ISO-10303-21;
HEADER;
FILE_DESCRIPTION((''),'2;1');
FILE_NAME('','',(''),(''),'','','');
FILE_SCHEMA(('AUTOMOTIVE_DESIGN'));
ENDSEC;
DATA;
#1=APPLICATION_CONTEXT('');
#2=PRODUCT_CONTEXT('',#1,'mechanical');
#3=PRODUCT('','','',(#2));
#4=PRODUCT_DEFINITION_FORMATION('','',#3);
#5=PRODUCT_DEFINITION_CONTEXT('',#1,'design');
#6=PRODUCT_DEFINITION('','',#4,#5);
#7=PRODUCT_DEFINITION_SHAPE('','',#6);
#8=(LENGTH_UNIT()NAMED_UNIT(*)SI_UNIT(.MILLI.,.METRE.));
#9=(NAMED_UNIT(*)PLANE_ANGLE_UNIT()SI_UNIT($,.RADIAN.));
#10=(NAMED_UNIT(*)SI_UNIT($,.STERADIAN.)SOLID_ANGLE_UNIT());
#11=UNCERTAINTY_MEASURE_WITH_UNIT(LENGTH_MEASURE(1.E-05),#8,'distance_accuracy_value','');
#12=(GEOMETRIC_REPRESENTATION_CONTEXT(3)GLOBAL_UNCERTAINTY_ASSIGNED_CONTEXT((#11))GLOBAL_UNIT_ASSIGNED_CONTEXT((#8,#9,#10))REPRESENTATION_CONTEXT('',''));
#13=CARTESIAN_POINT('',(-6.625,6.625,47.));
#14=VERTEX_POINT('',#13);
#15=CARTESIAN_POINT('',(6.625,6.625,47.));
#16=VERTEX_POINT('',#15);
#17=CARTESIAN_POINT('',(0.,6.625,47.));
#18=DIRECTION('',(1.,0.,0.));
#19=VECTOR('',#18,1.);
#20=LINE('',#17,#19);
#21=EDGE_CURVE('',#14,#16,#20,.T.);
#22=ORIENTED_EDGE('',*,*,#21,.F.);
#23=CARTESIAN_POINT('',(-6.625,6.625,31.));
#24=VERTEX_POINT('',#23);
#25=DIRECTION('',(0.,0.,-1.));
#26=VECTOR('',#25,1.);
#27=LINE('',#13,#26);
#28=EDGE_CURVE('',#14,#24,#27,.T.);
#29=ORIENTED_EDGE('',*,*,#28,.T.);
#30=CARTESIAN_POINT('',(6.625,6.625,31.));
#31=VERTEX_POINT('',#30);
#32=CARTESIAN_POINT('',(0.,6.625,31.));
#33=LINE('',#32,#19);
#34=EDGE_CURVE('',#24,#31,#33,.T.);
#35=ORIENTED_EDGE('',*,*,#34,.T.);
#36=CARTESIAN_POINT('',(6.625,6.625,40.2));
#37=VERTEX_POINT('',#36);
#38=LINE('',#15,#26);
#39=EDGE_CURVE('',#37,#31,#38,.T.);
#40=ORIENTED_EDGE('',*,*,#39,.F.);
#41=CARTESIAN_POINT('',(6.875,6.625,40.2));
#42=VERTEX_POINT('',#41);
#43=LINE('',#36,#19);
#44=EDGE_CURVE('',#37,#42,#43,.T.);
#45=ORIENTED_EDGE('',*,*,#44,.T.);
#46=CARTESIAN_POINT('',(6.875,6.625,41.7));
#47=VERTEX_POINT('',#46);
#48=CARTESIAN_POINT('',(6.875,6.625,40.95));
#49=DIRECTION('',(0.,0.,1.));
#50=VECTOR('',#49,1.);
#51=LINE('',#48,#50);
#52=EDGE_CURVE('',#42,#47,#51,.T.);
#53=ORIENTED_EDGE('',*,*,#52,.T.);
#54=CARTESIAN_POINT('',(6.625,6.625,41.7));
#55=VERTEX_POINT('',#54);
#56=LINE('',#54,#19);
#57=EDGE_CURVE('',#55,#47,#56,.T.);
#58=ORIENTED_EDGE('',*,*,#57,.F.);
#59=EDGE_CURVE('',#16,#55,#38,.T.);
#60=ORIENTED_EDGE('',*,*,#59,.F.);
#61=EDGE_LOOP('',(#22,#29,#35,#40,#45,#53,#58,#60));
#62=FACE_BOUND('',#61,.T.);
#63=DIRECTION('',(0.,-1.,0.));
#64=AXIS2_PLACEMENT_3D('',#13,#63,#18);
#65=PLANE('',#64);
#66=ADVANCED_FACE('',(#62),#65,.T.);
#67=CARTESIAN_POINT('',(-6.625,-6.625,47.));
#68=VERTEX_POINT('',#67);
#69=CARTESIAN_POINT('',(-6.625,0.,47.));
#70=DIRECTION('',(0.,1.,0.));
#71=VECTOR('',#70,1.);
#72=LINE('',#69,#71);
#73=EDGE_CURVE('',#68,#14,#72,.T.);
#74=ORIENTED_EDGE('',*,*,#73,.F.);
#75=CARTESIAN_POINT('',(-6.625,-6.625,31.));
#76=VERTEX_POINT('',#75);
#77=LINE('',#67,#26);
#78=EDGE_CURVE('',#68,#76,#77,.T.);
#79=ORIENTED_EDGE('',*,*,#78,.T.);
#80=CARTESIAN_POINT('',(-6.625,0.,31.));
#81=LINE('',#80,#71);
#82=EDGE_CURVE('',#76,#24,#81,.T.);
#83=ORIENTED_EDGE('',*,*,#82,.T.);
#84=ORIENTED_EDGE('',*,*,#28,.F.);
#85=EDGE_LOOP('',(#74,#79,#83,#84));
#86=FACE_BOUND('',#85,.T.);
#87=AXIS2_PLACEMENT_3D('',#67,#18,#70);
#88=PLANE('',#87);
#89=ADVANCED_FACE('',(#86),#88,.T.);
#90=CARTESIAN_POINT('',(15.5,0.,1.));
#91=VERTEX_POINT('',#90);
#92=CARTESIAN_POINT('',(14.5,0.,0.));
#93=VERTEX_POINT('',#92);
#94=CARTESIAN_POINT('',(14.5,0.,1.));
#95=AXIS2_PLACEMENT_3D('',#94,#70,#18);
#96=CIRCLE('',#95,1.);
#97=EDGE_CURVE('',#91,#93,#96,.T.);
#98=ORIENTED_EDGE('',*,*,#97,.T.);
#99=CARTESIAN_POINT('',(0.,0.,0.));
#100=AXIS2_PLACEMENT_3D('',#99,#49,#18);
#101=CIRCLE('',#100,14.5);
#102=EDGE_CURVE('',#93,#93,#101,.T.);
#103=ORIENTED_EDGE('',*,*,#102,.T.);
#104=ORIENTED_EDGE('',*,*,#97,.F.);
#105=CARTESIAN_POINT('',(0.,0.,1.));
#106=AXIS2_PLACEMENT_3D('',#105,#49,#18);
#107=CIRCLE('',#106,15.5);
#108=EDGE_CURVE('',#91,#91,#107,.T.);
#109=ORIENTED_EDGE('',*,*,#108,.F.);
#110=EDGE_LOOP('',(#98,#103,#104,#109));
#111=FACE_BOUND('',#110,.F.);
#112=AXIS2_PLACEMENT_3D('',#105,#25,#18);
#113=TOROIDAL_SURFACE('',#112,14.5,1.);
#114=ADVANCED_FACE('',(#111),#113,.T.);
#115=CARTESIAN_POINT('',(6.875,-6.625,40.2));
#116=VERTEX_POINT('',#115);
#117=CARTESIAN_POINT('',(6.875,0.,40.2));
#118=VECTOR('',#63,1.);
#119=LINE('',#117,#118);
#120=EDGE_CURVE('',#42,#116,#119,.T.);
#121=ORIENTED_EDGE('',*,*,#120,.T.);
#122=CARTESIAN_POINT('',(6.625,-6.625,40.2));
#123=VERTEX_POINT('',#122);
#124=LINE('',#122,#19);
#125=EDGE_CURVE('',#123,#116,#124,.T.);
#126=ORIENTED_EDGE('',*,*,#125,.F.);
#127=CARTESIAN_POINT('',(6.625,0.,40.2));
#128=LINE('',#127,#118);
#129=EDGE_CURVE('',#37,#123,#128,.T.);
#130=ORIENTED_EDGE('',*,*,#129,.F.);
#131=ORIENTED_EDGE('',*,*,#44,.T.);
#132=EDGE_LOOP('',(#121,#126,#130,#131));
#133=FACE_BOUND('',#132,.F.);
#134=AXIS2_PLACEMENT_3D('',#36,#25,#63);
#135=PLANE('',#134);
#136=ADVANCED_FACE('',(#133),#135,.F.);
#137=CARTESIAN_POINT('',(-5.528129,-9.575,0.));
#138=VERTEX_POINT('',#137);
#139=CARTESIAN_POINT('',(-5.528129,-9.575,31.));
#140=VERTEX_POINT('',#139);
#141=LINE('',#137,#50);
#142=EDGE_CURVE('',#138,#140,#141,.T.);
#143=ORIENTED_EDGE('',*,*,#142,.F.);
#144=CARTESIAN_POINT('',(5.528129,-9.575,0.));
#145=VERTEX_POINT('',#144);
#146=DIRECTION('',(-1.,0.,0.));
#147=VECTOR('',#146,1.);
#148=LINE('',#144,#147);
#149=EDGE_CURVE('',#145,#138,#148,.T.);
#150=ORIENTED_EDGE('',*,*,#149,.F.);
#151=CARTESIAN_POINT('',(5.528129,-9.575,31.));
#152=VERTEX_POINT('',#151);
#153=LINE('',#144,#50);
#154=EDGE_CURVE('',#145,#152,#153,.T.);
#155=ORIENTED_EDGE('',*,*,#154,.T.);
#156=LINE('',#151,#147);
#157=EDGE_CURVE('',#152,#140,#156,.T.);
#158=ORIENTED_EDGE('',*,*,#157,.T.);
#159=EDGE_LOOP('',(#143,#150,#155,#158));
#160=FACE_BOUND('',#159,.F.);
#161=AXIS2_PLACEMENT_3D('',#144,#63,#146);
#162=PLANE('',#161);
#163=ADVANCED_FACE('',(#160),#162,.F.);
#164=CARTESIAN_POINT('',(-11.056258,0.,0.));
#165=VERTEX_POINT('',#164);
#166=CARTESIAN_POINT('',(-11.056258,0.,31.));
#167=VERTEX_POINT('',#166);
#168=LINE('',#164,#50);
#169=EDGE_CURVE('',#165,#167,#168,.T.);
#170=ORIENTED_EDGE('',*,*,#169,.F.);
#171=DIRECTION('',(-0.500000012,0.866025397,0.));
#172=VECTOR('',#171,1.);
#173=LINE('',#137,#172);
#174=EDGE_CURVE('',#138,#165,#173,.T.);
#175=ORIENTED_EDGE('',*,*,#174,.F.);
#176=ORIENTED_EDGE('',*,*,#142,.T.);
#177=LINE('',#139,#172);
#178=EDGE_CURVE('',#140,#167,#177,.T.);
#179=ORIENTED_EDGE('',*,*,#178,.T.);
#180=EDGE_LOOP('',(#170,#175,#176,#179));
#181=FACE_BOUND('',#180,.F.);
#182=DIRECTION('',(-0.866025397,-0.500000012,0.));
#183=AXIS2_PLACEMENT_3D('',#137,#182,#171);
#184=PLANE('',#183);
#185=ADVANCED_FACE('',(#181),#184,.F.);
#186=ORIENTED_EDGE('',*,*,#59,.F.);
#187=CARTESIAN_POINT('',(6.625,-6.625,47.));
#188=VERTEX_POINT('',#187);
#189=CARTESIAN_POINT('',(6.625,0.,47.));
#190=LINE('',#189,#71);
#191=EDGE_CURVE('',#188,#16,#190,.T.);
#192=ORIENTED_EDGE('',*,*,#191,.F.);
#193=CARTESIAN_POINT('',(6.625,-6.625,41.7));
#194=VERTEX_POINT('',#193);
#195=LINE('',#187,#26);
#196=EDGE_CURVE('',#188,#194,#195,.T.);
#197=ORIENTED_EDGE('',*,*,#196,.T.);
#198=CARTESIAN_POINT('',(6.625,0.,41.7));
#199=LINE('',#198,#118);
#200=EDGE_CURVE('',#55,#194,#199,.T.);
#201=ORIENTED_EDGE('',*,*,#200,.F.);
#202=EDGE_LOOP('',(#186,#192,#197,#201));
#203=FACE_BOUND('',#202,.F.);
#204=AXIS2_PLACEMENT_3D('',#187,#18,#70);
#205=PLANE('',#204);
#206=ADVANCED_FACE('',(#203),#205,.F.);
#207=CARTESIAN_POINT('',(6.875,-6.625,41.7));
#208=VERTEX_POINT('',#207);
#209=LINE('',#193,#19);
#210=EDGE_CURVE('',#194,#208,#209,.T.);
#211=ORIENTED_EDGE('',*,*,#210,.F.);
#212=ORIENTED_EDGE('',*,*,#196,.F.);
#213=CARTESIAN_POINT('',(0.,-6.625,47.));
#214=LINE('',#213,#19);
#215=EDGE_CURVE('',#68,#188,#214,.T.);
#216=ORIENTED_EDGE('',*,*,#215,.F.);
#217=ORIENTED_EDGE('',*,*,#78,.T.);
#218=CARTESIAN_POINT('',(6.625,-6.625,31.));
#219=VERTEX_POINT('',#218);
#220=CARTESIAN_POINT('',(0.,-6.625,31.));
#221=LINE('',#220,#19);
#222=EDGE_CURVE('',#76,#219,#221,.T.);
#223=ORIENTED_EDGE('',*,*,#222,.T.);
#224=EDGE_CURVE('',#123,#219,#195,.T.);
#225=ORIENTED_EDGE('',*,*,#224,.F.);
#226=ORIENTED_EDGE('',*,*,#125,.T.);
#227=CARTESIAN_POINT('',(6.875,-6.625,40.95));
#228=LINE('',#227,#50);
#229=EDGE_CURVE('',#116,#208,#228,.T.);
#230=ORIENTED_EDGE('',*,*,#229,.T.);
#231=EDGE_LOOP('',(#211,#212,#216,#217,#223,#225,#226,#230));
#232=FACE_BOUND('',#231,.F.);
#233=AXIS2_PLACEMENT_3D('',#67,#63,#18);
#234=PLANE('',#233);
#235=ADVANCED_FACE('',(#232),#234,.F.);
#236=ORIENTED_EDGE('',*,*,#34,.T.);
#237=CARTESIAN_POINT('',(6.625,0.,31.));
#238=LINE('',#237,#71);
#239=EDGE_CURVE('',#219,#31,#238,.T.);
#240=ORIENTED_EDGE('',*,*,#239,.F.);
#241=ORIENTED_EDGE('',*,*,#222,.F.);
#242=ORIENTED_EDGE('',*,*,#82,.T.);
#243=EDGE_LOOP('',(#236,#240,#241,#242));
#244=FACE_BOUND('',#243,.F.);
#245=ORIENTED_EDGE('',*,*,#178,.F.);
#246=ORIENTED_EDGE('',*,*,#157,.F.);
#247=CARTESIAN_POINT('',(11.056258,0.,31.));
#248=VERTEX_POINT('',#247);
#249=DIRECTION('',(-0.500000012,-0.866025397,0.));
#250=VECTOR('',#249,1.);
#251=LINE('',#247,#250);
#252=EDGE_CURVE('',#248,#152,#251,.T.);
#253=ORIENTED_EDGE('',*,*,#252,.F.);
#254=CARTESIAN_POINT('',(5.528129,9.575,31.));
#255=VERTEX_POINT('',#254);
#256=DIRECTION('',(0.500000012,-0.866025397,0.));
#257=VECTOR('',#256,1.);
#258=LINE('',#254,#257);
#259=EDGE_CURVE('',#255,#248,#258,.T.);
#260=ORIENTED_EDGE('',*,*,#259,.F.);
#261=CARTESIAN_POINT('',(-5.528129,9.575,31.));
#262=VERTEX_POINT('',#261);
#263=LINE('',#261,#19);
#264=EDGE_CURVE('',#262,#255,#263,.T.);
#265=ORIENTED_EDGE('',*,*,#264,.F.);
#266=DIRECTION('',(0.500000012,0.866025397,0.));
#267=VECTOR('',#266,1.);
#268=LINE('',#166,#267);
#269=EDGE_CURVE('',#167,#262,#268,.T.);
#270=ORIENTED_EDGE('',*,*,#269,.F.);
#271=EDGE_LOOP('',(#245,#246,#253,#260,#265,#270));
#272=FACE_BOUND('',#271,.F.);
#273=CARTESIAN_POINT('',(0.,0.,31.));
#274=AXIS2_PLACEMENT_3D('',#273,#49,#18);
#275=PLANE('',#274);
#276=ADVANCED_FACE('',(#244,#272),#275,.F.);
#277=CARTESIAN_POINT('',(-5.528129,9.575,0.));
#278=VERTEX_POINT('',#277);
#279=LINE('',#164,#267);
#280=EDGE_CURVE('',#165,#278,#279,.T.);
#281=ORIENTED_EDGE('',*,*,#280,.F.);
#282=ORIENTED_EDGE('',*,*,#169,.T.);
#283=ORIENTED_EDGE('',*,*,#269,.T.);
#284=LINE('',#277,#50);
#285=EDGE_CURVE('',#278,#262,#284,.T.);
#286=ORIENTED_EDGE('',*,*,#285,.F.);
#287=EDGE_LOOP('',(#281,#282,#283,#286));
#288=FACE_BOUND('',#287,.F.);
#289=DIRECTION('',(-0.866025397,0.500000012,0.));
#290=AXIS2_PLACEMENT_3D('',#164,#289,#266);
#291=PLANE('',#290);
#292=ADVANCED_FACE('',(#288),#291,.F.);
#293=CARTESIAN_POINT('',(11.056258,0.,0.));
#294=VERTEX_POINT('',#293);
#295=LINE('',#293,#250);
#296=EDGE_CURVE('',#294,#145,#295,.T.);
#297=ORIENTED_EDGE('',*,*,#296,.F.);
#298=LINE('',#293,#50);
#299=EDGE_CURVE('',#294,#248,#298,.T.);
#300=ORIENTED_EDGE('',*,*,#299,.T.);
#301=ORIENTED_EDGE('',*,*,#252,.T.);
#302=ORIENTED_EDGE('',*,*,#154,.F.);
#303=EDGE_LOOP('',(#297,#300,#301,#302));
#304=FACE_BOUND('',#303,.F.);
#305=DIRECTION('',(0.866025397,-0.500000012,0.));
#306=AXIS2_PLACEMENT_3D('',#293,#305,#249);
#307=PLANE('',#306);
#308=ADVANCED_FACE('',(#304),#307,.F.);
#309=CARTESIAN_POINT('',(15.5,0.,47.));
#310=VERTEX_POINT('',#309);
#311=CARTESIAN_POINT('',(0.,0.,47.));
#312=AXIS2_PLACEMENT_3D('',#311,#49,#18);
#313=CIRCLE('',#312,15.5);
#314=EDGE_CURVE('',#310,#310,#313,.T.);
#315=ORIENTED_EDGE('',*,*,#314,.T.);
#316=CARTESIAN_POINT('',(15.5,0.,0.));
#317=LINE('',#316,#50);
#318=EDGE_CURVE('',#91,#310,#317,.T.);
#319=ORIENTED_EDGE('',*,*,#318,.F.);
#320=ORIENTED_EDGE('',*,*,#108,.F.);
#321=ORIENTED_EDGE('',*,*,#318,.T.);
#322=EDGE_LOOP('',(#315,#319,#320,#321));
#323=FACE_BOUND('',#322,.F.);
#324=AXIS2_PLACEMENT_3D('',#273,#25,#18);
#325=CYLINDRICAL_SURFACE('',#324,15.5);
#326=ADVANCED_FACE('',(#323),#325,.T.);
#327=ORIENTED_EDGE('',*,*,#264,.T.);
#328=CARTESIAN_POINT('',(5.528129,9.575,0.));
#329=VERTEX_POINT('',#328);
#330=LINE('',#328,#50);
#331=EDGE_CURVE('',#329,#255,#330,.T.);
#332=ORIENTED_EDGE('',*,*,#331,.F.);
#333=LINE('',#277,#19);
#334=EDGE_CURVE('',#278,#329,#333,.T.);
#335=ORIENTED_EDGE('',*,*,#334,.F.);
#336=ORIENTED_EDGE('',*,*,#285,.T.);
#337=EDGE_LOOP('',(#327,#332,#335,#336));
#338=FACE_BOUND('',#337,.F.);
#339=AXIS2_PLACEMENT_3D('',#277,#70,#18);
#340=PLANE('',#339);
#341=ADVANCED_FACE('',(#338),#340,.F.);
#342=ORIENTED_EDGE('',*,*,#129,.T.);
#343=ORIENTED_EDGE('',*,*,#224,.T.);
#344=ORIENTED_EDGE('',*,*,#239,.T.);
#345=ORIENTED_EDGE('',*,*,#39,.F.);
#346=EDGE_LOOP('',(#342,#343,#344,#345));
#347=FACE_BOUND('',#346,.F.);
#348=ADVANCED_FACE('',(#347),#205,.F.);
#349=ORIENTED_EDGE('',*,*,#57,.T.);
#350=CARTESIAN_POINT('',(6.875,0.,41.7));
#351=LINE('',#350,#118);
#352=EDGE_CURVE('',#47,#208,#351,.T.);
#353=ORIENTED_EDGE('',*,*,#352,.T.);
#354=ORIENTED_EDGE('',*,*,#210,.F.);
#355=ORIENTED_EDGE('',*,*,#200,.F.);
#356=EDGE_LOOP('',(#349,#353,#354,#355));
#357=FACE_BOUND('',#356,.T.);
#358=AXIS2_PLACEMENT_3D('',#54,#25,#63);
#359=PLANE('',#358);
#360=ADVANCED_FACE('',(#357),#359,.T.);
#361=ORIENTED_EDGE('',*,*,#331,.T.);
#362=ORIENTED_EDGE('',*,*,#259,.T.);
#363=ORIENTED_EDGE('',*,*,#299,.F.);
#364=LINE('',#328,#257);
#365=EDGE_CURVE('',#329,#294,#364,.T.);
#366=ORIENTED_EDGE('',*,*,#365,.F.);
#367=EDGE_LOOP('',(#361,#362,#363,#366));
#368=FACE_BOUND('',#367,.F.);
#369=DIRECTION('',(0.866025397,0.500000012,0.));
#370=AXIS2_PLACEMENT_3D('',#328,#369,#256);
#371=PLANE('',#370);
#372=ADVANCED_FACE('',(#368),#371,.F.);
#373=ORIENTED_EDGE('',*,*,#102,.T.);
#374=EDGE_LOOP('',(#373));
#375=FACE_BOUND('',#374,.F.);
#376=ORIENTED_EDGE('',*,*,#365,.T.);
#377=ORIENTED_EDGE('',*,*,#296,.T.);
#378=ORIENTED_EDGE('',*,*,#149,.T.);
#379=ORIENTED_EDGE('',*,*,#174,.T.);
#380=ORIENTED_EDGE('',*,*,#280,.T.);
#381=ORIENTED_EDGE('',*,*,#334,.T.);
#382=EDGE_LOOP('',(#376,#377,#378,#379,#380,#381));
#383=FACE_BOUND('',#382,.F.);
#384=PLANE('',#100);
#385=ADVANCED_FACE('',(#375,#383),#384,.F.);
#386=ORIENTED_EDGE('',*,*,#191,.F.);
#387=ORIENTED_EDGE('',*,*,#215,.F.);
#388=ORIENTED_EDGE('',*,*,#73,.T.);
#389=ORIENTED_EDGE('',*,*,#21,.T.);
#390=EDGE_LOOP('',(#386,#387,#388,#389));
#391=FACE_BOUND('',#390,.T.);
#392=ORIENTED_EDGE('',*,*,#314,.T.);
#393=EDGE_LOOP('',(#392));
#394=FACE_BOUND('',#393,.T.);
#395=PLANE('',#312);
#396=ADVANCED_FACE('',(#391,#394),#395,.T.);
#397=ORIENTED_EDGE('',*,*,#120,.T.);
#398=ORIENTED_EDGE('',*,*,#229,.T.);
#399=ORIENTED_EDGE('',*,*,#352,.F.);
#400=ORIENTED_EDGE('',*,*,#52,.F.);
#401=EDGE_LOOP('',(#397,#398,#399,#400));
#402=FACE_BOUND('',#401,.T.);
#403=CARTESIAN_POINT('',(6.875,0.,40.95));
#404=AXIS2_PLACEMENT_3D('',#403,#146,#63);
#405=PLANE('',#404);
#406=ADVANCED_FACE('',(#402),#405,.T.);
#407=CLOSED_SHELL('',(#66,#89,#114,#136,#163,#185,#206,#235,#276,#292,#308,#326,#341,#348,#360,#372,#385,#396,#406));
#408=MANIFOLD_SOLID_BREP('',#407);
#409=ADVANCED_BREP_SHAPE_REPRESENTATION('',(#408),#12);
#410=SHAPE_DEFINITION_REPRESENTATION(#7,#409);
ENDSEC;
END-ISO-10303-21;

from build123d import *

# Parameters (mm, degrees)
F0_R     = 15.5
F1_DEPTH = 31
F2_R     = 15.5
F3_DEPTH = 16
F4_W     = 13.25
F4_H     = 13.25
F5_DEPTH = 16
F6_W     = 13.25
F6_H     = 1.5
F7_DEPTH = 0.25
F8_R     = 1


with BuildPart() as f1:
    # F0 (on Top) → F1 (new body)
    with BuildSketch(Plane.XY):
        Circle(F0_R)
        Polygon((-5.528129, 9.575), (5.528129, 9.575), (11.056258, 0), (5.528129, -9.575), (-5.528129, -9.575), (-11.056258, 0), align=None, mode=Mode.SUBTRACT)
    extrude(amount=F1_DEPTH)

    # F2 (on face) → F3 (join)
    with BuildSketch(Plane.XY.offset(31)):
        Circle(F2_R)
    extrude(amount=F3_DEPTH)

    # F4 (on face) → F5 (cut, through all)
    with BuildSketch(Plane.XY.offset(47)):
        Rectangle(F4_W, F4_H)
    extrude(amount=-F5_DEPTH, mode=Mode.SUBTRACT)

    # F6 (on face) → F7 (cut)
    with BuildSketch(Plane(origin=(6.625, 0, 0), x_dir=(0, -1, 0), z_dir=(-1, 0, 0))):
        with Locations((0, 40.95)):
            Rectangle(F6_W, F6_H)
    extrude(amount=-F7_DEPTH, mode=Mode.SUBTRACT)

    # F8
    f8_edges = [f1.edges().sort_by_distance(p)[0] for p in [
        (-15.5, 0, 0),
    ]]
    fillet(f8_edges, radius=F8_R)


solid = f1.part
